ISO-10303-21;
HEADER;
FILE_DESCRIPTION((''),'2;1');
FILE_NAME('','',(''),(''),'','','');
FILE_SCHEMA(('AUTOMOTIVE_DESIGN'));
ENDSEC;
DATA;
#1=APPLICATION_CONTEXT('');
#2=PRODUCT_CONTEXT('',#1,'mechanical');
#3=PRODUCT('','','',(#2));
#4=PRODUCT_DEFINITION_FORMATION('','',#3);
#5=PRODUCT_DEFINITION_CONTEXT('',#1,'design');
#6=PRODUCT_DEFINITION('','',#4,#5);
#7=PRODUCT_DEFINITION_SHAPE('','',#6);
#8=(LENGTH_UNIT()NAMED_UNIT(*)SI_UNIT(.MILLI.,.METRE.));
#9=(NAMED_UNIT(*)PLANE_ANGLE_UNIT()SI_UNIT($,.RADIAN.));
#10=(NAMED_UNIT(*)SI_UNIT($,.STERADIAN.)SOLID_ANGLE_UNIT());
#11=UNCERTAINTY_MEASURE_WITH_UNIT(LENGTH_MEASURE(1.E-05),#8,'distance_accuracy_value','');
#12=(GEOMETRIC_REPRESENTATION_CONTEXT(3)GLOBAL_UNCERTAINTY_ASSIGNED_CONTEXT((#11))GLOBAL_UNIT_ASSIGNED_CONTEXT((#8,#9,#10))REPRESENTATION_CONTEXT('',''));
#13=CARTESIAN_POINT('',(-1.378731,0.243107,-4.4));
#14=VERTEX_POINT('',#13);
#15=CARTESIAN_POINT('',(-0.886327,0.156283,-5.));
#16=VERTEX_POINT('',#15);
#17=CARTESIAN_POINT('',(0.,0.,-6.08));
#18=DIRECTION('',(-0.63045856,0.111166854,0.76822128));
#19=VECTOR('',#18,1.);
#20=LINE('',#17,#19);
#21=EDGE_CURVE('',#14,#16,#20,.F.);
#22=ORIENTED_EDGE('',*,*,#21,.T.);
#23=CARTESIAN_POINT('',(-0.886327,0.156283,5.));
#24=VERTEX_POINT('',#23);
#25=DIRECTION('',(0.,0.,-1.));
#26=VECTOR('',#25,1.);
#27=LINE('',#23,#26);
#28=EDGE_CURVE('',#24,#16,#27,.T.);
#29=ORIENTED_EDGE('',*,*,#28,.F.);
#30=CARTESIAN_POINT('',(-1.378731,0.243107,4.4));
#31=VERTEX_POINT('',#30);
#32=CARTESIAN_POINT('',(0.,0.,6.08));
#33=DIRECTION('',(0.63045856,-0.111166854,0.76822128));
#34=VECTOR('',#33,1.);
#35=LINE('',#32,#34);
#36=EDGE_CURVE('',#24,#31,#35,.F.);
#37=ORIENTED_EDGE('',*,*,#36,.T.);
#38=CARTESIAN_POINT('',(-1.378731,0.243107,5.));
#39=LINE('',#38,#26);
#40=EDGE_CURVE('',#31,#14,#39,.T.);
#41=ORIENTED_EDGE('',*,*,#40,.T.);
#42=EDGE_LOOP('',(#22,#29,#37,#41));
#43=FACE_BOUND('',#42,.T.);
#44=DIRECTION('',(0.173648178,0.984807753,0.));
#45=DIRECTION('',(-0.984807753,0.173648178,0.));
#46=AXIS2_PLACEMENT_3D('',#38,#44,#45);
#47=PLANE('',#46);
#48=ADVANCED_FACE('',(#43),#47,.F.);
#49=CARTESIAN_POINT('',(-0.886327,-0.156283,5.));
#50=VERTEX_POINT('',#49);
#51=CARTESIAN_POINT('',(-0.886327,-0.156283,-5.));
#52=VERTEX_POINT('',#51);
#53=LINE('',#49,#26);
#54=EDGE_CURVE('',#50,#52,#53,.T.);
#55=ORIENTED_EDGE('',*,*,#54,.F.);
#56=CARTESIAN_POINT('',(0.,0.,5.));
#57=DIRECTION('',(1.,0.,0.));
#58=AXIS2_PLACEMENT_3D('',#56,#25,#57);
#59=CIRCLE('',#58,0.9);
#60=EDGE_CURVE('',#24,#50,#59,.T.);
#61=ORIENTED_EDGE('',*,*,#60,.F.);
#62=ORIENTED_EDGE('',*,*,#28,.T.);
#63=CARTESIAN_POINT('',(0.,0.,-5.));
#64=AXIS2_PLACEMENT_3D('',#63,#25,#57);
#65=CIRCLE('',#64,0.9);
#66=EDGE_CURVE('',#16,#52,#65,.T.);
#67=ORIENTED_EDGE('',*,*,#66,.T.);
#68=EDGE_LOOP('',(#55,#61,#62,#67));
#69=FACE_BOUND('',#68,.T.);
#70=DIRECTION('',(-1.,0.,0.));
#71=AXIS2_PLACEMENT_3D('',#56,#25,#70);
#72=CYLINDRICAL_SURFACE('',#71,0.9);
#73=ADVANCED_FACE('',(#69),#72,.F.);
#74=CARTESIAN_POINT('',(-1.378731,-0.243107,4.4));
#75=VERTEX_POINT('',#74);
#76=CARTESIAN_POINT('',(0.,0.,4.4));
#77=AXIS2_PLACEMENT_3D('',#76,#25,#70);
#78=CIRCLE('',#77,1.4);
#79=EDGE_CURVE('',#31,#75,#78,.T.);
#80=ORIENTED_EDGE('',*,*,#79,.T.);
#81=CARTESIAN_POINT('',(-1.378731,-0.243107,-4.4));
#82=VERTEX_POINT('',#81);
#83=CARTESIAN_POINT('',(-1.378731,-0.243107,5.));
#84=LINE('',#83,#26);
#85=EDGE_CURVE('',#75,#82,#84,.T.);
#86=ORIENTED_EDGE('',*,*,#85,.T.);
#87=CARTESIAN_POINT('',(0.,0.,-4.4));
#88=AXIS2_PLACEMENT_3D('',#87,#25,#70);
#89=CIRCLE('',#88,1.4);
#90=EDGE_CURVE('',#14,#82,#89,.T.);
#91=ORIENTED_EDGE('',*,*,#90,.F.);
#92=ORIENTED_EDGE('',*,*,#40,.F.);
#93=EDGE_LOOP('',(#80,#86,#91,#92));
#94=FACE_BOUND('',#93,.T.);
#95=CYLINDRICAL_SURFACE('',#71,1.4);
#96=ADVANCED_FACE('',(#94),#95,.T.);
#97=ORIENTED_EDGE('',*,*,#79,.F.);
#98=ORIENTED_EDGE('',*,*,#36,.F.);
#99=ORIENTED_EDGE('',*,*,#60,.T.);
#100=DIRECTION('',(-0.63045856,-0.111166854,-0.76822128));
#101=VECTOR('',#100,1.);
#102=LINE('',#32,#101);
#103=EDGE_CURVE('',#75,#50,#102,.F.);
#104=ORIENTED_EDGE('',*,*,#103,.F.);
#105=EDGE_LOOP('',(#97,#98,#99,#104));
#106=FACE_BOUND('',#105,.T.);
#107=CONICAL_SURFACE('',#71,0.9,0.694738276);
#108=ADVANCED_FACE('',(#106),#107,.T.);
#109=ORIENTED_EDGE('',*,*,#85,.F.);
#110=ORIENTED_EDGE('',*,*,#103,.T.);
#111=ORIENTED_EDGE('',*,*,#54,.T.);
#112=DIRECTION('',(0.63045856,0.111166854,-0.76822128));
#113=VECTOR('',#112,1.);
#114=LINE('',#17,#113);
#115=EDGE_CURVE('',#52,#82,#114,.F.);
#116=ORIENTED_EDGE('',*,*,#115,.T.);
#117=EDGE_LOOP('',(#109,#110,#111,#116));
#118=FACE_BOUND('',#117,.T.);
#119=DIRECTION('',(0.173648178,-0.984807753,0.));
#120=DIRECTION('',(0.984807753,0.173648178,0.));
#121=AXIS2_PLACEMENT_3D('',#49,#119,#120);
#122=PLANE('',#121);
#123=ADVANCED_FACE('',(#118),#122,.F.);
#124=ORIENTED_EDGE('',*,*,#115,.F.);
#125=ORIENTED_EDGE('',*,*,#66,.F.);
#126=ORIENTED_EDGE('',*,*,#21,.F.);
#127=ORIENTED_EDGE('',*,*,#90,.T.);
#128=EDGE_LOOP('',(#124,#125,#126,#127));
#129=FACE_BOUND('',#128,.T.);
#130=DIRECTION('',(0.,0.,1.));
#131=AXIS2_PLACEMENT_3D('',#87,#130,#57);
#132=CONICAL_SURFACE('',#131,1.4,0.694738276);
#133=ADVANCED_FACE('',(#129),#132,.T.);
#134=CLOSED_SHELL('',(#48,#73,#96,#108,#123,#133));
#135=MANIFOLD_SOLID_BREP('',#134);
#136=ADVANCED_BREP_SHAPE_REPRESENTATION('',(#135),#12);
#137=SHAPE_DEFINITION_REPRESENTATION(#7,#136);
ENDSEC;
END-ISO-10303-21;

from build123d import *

# Parameters (mm, degrees)
EXTRUDE1_DEPTH = 5


with BuildPart() as part:
    # Sketch1 → Extrude1 (new, symmetric)
    with BuildSketch(Plane.XY):
        with BuildLine():
            Line((-1.378730854, 0.243107449), (-0.886326978, 0.15628336))
            ThreePointArc((-0.886326978, 0.15628336), (0.9, 0), (-0.886326978, -0.15628336))
            Line((-0.886326978, -0.15628336), (-1.378730854, -0.243107449))
            ThreePointArc((-1.378730854, -0.243107449), (1.4, 0), (-1.378730854, 0.243107449))
        make_face()
    extrude(amount=EXTRUDE1_DEPTH, both=True)

    # Sketch2 → Cut-Revolve1 (revolve, cut)
    with BuildSketch(Plane(origin=(0, 0, 0), x_dir=(0, 0, -1), z_dir=(1, 0, 0))):
        Polygon((5, 1.4), (5, 0.9), (4.4, 1.4), align=None)
        Polygon((-4.4, 1.4), (-5, 1.4), (-5, 0.9), align=None)
    revolve(axis=Axis((0, 0, -5), (0, 0, 1)), mode=Mode.SUBTRACT)


solid = part.part
